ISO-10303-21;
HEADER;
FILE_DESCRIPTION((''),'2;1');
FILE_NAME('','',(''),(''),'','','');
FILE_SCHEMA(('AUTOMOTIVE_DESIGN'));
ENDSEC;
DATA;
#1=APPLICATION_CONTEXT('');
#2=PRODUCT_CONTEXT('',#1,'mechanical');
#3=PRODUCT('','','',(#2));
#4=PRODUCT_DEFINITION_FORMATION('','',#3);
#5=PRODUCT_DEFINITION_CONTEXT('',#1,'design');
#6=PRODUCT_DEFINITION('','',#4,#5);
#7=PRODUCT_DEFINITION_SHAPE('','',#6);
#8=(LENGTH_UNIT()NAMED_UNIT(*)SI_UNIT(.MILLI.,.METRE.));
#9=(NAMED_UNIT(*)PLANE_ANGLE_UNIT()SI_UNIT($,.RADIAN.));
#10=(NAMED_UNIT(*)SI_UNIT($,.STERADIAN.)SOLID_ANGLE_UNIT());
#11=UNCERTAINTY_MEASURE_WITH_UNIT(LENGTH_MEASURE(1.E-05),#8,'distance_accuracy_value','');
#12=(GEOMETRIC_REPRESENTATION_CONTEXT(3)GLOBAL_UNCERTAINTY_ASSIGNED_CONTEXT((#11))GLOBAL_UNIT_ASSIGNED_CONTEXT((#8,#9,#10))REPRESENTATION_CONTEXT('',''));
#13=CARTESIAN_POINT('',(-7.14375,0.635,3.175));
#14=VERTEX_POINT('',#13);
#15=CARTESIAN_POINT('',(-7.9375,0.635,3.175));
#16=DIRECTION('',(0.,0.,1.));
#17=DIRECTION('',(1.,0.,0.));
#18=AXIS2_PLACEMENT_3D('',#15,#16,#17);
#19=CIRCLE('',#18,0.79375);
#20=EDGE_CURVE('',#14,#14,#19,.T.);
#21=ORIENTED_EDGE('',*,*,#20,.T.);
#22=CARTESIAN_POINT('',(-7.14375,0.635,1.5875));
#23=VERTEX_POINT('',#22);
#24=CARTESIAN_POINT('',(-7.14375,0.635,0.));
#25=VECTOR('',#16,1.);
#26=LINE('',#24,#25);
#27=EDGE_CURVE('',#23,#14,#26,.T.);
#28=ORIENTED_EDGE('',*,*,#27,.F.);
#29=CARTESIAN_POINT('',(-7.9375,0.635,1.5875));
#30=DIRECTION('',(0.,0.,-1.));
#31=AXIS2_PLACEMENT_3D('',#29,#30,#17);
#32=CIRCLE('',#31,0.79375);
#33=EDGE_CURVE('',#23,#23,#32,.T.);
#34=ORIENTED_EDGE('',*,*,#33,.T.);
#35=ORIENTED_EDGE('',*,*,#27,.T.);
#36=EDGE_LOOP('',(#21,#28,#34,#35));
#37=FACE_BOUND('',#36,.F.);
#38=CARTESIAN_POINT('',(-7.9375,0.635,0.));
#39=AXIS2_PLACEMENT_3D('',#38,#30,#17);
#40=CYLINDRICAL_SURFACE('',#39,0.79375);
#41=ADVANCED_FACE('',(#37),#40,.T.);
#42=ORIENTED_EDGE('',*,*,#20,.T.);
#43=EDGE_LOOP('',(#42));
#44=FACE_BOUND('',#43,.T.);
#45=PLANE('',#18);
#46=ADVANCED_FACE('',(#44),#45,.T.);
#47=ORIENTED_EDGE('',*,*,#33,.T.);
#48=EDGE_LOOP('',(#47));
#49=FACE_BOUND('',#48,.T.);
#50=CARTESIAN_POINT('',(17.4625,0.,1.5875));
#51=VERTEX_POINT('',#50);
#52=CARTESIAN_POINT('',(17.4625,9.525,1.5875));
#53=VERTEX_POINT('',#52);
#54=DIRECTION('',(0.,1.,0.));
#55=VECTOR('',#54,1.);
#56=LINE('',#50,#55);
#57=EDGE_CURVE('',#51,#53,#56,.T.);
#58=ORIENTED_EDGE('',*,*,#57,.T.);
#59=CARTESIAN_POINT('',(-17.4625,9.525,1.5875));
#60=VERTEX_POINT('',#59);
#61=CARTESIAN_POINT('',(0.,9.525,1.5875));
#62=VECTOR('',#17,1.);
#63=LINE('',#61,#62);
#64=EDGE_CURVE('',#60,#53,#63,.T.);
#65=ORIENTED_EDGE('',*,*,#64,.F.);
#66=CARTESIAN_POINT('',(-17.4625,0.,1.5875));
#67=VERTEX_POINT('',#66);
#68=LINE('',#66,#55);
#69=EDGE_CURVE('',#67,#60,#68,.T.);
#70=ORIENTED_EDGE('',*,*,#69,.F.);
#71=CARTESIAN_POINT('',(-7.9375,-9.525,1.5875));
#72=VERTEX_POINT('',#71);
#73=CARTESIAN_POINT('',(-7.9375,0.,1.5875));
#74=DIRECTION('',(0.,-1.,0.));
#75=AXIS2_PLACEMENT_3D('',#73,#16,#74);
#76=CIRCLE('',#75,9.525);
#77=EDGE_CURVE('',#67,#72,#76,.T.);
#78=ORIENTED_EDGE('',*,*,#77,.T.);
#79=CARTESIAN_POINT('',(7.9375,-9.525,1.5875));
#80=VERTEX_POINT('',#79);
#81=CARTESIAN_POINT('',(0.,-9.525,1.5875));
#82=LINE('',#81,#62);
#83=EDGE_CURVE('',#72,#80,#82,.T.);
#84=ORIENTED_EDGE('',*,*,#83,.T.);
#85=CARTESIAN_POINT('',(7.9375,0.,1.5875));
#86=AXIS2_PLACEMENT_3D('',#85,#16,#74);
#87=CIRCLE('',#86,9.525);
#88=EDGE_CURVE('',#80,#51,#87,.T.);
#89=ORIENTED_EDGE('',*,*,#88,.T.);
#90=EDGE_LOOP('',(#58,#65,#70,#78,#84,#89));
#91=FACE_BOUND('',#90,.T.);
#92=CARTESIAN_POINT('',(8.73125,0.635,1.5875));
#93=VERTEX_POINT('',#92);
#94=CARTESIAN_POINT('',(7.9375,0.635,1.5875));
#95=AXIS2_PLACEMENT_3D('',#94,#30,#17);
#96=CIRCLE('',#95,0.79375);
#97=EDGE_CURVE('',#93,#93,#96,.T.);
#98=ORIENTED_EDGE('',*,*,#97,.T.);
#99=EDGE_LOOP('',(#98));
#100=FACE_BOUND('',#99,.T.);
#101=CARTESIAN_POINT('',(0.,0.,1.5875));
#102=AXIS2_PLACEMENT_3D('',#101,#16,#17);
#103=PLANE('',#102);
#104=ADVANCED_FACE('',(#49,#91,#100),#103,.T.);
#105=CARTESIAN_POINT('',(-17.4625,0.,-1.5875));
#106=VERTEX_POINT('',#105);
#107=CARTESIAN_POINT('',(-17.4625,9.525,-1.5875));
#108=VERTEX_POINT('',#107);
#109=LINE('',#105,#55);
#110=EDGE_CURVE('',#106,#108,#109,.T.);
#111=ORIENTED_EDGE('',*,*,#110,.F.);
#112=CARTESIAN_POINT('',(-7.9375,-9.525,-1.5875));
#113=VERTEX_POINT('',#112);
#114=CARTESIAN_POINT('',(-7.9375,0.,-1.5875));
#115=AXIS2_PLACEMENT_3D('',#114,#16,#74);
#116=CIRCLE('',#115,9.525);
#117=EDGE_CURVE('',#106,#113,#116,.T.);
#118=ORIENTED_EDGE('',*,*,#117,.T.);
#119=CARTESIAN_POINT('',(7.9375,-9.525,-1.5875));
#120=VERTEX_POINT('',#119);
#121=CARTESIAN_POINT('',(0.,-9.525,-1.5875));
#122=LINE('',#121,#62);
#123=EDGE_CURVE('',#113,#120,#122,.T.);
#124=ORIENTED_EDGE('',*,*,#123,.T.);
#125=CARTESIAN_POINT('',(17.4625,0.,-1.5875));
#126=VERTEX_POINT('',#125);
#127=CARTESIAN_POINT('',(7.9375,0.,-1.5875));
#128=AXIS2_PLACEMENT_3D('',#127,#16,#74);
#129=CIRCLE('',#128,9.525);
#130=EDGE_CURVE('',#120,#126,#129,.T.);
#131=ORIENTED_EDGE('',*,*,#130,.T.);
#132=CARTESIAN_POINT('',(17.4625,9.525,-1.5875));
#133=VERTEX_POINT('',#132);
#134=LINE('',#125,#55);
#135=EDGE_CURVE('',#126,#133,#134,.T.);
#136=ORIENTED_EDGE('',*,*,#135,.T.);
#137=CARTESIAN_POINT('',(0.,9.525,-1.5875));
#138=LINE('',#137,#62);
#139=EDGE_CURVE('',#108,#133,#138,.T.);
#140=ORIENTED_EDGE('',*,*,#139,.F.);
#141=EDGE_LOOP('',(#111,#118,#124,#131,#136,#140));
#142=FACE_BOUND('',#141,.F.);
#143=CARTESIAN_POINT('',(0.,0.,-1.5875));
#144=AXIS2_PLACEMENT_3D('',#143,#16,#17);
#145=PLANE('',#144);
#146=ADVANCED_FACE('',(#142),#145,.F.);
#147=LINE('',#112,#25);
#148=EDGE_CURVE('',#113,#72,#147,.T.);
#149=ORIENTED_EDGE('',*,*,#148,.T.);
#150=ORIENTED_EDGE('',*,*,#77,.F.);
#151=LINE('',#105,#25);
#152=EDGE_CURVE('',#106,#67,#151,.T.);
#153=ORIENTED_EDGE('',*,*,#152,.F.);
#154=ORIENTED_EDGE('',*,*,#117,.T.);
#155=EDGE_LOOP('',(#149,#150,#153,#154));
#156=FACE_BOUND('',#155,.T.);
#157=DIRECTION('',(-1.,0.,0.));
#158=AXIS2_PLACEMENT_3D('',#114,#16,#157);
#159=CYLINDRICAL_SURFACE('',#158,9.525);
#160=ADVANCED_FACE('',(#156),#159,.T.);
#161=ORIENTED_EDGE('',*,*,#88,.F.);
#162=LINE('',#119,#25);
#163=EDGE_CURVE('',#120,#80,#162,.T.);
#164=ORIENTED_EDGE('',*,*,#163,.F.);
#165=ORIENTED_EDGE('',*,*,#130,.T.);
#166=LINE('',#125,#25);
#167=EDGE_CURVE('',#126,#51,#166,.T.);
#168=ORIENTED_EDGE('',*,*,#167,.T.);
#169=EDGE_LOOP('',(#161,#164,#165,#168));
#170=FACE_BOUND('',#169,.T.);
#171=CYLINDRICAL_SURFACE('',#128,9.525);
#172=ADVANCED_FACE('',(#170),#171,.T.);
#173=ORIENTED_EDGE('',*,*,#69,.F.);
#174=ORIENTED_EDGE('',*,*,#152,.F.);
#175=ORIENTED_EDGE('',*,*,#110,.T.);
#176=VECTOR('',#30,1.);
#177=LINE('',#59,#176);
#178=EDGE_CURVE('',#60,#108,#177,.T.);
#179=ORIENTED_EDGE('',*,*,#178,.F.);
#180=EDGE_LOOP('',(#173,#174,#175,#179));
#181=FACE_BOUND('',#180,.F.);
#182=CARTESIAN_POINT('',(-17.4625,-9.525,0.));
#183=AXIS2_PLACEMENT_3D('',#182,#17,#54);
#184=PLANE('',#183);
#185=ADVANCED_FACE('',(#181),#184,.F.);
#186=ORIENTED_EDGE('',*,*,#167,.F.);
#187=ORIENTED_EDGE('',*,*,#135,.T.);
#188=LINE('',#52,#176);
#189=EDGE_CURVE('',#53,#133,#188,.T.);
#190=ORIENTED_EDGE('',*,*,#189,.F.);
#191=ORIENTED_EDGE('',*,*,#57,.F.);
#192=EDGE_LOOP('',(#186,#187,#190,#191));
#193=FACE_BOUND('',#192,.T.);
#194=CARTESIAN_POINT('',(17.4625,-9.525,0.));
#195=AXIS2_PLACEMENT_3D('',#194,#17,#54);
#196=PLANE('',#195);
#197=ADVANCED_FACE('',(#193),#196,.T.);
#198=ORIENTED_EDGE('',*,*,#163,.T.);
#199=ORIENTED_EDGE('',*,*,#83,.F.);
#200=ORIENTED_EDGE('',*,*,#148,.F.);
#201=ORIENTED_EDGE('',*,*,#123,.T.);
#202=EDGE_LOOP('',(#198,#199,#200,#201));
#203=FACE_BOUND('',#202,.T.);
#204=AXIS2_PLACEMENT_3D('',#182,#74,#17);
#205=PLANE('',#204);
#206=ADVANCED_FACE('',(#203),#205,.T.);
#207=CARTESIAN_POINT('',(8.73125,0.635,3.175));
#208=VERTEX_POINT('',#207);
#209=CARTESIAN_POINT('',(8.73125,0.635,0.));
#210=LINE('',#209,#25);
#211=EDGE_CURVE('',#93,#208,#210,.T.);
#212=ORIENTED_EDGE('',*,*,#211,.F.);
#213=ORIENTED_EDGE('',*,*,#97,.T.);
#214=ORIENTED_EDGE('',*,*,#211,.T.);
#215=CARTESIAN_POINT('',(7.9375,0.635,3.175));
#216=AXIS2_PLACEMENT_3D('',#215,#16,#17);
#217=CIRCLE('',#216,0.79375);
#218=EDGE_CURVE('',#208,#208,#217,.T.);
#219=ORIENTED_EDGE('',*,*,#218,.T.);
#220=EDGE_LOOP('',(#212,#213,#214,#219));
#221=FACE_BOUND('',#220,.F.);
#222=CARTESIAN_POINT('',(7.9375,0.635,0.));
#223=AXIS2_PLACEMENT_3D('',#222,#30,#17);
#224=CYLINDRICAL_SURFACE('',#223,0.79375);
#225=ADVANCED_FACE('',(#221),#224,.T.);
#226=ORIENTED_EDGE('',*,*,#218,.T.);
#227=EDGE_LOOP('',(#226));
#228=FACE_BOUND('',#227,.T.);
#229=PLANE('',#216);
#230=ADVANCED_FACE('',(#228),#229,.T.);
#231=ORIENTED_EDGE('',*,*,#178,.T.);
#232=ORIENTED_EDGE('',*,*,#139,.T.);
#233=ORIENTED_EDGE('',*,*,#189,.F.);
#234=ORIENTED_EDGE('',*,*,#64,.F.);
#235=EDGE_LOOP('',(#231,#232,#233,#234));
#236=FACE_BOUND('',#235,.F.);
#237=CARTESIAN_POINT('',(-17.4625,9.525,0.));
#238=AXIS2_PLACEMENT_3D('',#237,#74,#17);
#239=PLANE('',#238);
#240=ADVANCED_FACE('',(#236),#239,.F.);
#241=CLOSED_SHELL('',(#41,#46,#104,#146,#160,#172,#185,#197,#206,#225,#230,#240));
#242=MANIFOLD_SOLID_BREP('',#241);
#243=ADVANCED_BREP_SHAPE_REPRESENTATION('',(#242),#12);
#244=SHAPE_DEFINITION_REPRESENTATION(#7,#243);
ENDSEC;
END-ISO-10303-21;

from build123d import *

# Parameters (mm, degrees)
F0_W     = 34.925
F0_H     = 19.05
F0_R     = 0.79375
F1_DEPTH = 1.5875
F2_DEPTH = 3.175
F3_R     = 9.525


with BuildPart() as f1:
    # F0 (on Top) → F1 (new body, symmetric)
    with BuildSketch(Plane.XY):
        Rectangle(F0_W, F0_H)
        with Locations((-7.9375, 0.635)):
            Circle(F0_R, mode=Mode.SUBTRACT)
        with Locations((7.9375, 0.635)):
            Circle(F0_R, mode=Mode.SUBTRACT)
        with Locations((-7.9375, 0.635)):
            Circle(F0_R)
        with Locations((7.9375, 0.635)):
            Circle(F0_R)
    extrude(amount=F1_DEPTH, both=True)

    # F0 (on Top) → F2 (join)
    with BuildSketch(Plane.XY):
        with Locations((-7.9375, 0.635)):
            Circle(F0_R)
        with Locations((7.9375, 0.635)):
            Circle(F0_R)
    extrude(amount=F2_DEPTH)

    # F3
    f3_edges = [f1.edges().sort_by_distance(p)[0] for p in [
        (17.4625, -9.525, 0),
        (-17.4625, -9.525, 0),
    ]]
    fillet(f3_edges, radius=F3_R)


solid = f1.part
